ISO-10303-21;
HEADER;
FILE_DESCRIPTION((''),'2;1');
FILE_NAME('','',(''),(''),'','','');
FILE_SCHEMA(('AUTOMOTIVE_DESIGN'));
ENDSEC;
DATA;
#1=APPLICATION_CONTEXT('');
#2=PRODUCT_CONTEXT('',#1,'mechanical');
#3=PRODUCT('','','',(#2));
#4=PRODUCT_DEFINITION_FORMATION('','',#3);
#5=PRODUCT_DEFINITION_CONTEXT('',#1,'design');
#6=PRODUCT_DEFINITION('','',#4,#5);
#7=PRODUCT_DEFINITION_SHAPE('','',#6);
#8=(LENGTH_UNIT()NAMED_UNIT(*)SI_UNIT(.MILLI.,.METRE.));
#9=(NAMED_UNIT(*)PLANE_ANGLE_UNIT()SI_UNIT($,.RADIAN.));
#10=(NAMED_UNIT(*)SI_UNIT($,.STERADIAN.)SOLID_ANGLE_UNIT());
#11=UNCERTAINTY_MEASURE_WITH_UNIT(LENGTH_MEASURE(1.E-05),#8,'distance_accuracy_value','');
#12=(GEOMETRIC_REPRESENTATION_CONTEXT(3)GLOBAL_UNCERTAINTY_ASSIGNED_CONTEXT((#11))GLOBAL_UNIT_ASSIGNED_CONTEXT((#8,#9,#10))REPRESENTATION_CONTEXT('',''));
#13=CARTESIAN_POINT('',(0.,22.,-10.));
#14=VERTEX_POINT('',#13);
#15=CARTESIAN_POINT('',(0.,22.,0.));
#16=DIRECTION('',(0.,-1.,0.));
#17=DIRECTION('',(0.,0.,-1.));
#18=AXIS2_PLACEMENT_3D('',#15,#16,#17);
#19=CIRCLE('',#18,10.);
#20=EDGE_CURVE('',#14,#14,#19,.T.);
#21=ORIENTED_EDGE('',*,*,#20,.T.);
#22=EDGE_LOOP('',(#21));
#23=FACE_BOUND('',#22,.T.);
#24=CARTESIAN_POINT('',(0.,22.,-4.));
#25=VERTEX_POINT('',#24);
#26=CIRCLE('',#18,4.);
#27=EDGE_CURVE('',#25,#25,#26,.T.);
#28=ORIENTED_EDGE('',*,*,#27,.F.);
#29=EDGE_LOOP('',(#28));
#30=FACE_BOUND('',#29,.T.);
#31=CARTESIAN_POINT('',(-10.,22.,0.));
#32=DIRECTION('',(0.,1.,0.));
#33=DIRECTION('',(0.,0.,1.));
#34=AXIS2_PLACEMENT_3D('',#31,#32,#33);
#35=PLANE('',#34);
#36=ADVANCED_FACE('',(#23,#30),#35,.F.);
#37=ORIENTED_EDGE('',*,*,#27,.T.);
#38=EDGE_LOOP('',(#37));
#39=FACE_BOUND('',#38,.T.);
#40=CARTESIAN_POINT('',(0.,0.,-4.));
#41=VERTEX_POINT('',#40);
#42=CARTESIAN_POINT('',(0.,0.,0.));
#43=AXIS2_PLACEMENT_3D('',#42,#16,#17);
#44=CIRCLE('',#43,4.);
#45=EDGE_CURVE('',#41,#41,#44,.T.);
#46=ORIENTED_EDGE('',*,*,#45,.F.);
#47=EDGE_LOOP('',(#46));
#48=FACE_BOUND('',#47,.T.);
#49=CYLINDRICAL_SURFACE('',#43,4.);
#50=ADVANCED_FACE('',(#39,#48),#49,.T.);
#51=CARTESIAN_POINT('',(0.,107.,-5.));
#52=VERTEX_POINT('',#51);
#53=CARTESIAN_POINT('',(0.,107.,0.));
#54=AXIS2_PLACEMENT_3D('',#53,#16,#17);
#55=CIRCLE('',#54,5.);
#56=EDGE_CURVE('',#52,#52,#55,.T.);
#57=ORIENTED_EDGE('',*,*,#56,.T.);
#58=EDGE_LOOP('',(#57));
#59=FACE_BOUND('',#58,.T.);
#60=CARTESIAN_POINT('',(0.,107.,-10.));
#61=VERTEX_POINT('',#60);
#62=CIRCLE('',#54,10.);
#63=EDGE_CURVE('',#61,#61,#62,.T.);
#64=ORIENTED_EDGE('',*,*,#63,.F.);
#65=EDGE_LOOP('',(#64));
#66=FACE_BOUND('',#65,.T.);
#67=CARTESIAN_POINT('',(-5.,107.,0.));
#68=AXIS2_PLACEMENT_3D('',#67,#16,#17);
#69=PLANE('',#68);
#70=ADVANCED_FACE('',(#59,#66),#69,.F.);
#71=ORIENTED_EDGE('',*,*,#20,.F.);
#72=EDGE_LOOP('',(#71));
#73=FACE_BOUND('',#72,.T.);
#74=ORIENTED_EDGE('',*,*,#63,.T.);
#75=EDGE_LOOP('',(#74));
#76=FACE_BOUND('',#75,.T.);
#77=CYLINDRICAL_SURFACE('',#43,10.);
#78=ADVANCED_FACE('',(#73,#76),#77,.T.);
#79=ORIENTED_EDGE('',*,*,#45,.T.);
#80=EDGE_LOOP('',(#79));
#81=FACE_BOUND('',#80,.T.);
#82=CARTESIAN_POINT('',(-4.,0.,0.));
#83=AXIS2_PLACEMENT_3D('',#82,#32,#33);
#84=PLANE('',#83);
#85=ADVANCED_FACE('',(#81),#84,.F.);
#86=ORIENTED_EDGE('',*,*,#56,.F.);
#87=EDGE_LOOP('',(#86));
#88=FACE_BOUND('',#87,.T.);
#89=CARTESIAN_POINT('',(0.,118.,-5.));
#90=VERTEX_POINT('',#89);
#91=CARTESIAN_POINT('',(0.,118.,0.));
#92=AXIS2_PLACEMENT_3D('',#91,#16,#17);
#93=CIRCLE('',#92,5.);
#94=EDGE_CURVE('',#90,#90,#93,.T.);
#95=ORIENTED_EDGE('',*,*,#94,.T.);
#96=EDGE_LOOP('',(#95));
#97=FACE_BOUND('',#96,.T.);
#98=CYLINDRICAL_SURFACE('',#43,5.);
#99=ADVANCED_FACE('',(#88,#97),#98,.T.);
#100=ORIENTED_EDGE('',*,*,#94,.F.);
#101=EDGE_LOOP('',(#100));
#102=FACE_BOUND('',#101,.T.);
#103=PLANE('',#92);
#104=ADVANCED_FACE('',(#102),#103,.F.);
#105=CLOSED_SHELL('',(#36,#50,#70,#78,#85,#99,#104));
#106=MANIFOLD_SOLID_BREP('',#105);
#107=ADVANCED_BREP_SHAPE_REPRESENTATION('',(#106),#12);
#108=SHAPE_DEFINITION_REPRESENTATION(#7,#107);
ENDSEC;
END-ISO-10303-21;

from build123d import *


with BuildPart() as part:
    # Croquis1 → Revolución1 (revolve)
    with BuildSketch(Plane.XY, mode=Mode.PRIVATE) as revoluci_n1_sk:
        Polygon((0, 0), (0, 118), (-5, 118), (-5, 107), (-10, 107), (-10, 22), (-4, 22), (-4, 0), align=None)
    revolve(revoluci_n1_sk.sketch.rotate(Axis((0, 0, 0), (0, 1, 0)), 270), axis=Axis((0, 0, 0), (0, 1, 0)))


solid = part.part
